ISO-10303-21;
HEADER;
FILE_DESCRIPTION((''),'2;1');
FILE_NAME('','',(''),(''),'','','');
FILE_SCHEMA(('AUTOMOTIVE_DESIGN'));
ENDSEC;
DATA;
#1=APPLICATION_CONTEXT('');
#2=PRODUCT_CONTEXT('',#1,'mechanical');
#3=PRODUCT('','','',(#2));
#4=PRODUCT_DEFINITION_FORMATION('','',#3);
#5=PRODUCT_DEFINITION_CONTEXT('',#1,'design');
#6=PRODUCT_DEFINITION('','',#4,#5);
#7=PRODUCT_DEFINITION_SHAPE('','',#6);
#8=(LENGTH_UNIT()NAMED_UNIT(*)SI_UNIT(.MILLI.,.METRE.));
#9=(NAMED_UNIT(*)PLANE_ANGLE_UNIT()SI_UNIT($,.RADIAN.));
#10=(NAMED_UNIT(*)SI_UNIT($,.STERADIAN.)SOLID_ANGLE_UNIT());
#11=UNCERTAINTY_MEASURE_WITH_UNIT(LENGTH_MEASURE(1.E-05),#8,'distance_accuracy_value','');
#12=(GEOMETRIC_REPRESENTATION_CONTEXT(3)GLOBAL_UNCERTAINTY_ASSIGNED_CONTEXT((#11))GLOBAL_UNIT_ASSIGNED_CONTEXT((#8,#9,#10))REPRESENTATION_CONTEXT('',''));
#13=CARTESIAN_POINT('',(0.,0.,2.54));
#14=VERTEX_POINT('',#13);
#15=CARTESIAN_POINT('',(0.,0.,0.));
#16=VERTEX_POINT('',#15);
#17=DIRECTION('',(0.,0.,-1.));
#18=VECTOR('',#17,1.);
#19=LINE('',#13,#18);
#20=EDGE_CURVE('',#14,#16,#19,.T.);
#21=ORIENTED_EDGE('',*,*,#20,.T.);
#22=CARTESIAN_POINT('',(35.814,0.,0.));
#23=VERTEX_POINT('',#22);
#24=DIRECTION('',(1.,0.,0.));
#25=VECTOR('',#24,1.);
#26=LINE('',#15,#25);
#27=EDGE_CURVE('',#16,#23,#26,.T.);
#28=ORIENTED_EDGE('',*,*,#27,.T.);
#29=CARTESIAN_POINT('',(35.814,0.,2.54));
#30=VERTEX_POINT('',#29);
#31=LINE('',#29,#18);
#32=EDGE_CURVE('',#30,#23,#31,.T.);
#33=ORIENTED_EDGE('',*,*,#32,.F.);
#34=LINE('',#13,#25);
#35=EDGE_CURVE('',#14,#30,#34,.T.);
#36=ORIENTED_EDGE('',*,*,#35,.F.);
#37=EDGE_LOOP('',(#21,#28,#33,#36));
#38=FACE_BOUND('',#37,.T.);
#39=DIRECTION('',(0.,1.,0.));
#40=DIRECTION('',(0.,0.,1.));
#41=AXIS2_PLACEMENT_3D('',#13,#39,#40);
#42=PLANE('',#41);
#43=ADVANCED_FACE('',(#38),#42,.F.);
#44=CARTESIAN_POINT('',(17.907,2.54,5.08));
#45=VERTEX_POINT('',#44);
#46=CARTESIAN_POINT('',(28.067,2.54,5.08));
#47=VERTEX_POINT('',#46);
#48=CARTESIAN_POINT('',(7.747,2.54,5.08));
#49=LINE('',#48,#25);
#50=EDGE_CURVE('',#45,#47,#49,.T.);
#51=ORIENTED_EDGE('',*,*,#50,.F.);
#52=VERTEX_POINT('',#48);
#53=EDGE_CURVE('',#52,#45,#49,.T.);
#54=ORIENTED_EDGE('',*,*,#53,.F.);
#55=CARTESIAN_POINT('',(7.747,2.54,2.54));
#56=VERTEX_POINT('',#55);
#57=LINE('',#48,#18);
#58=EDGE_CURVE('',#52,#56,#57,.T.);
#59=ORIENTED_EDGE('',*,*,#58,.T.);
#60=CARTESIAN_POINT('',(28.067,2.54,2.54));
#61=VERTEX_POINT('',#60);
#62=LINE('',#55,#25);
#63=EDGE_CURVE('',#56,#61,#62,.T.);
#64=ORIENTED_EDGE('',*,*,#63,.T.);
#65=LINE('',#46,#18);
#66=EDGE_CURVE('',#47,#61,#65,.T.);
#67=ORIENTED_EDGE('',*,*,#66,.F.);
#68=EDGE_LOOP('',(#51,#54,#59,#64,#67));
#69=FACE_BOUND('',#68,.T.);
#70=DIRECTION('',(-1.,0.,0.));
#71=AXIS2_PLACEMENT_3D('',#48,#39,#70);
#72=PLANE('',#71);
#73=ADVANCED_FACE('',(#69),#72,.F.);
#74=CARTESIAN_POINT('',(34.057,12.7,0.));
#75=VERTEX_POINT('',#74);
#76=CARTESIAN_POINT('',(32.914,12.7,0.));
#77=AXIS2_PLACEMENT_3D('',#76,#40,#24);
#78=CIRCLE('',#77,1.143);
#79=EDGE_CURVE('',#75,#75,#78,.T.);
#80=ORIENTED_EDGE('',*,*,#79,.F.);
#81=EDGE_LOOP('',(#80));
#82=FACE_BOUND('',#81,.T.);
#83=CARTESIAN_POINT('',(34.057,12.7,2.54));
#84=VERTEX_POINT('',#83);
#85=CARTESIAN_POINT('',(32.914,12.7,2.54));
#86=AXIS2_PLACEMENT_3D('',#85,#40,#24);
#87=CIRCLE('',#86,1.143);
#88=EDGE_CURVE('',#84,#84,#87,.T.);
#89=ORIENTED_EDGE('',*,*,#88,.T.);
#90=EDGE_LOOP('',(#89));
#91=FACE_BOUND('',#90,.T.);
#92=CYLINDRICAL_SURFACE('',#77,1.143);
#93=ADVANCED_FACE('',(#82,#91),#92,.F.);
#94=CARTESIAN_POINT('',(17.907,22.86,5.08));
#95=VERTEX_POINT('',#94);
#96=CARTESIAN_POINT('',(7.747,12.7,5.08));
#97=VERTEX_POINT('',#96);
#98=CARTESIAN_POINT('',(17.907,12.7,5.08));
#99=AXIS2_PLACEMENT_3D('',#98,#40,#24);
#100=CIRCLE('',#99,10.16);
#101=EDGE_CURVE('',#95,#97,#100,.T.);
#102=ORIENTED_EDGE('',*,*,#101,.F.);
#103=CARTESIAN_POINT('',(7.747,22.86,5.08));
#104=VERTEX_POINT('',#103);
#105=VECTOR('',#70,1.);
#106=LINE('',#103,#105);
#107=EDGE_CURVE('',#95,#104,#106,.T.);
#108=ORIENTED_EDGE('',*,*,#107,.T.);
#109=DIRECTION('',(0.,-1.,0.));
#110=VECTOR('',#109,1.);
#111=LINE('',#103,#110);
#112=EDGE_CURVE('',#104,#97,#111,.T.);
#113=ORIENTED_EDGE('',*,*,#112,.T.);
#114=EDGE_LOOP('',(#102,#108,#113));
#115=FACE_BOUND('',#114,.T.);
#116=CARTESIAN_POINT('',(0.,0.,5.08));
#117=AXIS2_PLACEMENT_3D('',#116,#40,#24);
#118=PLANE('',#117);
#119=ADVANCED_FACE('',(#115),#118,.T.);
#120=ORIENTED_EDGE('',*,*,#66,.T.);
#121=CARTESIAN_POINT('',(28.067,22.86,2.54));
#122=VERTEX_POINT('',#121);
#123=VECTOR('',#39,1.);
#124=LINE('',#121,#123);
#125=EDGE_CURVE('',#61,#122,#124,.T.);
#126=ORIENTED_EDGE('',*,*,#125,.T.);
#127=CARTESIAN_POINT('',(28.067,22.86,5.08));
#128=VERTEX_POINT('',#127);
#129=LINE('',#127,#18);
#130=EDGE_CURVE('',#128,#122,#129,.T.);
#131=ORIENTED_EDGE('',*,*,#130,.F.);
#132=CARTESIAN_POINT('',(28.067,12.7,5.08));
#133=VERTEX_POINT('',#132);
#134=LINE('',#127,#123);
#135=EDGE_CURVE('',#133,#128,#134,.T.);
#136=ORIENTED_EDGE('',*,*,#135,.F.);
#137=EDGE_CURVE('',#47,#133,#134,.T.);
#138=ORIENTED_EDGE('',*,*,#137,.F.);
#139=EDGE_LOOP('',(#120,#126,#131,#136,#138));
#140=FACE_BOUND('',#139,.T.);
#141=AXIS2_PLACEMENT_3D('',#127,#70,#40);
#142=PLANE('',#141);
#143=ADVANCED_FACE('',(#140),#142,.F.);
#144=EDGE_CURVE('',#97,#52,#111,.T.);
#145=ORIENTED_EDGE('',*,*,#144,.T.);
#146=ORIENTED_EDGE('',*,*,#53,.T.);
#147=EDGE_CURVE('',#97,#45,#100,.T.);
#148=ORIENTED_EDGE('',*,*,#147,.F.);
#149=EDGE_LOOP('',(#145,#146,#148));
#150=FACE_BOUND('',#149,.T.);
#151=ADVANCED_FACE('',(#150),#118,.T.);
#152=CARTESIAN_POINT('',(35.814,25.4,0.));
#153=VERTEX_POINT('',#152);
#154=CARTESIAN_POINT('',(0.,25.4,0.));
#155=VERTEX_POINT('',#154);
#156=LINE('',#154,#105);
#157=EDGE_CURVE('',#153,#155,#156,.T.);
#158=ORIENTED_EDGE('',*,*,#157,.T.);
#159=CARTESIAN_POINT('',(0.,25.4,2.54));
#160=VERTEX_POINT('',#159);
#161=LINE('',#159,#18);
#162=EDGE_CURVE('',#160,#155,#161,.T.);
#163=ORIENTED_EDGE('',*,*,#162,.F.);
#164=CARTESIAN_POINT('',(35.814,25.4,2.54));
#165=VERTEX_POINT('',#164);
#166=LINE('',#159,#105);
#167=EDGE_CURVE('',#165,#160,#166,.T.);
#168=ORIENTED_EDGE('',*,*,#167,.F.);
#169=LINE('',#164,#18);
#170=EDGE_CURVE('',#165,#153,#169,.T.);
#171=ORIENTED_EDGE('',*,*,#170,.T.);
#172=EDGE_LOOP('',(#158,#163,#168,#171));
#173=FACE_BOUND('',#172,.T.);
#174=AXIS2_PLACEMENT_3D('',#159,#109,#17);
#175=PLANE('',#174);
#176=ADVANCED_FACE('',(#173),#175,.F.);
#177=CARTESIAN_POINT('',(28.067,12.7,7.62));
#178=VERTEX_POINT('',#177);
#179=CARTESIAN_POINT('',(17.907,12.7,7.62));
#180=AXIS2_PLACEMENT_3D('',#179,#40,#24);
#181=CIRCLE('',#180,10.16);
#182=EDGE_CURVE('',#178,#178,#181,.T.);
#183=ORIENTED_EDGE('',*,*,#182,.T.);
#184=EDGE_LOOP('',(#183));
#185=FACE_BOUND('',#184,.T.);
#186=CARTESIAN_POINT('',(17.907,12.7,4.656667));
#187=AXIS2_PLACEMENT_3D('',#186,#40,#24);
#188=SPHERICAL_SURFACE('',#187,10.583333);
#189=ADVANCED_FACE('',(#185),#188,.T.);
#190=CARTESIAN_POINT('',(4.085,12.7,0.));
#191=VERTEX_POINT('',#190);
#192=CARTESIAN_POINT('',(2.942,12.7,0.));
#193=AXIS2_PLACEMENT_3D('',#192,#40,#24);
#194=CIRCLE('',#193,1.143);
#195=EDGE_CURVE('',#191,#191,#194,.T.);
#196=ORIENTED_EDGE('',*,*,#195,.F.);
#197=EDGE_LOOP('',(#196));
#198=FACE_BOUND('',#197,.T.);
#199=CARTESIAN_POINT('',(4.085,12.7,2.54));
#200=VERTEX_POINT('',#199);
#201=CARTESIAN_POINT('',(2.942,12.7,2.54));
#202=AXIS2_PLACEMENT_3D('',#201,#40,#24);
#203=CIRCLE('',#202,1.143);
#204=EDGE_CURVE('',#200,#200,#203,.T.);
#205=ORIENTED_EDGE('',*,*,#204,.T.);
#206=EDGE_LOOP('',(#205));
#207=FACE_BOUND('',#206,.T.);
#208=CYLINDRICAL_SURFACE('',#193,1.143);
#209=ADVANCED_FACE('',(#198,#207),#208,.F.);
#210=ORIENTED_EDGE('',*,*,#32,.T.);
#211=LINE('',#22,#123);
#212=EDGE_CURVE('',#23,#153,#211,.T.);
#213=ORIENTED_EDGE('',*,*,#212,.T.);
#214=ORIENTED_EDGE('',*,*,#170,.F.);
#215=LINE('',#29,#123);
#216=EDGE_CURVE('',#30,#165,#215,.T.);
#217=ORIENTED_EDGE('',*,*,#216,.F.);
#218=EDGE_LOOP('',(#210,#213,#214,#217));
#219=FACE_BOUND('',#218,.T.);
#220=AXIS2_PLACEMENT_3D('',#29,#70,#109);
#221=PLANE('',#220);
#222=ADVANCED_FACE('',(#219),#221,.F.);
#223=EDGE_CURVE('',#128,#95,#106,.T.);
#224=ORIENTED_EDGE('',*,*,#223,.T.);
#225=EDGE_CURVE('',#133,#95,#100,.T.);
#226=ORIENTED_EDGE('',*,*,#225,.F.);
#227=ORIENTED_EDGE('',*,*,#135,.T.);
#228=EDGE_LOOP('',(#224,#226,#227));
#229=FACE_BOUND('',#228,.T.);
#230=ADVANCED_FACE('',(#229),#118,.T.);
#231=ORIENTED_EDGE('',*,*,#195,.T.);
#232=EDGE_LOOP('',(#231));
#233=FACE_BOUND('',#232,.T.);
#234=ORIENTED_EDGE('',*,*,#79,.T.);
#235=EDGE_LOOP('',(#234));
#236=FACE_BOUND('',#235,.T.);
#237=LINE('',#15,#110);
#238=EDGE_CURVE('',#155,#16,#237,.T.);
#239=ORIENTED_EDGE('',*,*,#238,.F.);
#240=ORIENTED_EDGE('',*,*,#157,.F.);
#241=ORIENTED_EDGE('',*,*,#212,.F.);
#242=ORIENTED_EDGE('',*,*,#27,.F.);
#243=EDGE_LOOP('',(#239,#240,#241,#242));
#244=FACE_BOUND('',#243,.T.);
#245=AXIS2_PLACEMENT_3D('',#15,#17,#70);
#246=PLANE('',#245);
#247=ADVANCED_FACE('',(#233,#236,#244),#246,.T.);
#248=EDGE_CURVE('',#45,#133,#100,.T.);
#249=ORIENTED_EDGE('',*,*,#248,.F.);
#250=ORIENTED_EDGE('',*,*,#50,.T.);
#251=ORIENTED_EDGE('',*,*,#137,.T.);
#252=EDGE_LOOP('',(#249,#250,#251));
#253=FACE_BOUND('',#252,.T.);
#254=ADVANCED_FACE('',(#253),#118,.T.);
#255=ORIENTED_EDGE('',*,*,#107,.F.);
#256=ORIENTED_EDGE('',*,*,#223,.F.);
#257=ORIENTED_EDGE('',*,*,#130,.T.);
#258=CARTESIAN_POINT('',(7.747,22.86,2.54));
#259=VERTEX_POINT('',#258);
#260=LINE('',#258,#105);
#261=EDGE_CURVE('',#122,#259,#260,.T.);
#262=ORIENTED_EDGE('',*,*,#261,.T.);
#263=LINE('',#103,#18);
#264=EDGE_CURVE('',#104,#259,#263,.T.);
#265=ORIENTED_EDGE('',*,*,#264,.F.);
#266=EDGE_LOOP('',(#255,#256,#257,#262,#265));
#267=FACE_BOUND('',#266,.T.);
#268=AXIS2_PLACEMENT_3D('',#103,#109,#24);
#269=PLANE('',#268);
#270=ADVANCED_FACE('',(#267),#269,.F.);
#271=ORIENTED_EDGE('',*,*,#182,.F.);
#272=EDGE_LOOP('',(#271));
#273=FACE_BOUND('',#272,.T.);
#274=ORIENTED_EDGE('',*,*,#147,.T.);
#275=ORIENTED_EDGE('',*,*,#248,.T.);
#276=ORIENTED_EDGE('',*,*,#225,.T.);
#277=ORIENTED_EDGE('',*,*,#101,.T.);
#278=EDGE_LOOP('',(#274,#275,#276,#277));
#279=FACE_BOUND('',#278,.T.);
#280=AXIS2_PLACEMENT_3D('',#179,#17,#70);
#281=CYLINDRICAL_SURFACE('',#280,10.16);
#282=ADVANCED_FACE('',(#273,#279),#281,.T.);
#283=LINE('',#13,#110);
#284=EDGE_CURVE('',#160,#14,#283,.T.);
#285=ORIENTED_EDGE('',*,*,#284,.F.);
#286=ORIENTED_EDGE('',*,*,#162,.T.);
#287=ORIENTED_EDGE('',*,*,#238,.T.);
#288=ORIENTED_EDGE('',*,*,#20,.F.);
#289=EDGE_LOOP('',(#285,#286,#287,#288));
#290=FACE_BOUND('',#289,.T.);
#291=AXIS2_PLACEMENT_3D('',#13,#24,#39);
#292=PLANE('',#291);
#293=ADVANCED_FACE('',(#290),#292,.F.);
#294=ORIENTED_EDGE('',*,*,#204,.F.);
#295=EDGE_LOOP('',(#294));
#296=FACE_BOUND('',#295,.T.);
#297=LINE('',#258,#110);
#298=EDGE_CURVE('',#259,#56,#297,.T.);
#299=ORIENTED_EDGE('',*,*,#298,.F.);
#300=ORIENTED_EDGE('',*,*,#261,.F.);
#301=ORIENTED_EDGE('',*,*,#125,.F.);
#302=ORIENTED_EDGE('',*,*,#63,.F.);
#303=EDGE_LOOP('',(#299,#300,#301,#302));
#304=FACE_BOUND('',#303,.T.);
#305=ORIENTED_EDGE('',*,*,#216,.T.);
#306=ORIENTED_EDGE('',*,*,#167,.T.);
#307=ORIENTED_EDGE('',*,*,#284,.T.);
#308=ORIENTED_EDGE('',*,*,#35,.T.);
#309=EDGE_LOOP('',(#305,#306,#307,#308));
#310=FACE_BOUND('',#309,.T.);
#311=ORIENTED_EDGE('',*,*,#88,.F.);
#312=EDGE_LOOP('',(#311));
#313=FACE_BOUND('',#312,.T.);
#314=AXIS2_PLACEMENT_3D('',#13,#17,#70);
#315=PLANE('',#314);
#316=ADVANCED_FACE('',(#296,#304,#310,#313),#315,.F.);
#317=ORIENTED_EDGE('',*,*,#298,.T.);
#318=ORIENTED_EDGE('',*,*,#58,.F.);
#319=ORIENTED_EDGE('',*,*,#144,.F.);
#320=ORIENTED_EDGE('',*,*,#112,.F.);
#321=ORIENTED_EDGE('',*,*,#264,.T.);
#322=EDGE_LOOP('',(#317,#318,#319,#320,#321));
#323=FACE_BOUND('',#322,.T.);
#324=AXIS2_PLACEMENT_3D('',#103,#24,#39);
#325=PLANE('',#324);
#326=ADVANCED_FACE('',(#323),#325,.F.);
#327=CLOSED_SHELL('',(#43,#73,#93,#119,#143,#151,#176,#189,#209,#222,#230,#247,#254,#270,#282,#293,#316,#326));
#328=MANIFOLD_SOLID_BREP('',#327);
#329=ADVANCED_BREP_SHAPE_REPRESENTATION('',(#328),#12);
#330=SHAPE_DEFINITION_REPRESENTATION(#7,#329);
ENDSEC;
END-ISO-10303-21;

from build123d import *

# Parameters (mm, degrees)
SKETCH1_W           = 35.814
SKETCH1_H           = 25.4
BOSS_EXTRUDE1_DEPTH = 2.54
SKETCH2_R           = 1.143
CUT_EXTRUDE1_DEPTH  = 2.54
SKETCH3_W           = 20.32
SKETCH3_H           = 20.32
BOSS_EXTRUDE3_DEPTH = 2.54
SKETCH4_R           = 10.16
BOSS_EXTRUDE4_DEPTH = 2.54
DOME3_FACE_RADIUS   = 10.16
DOME3_HEIGHT        = 7.62


with BuildPart() as part:
    # Sketch1 → Boss-Extrude1 (new body)
    with BuildSketch(Plane.XY):
        with Locations((17.907, 12.7)):
            Rectangle(SKETCH1_W, SKETCH1_H)
    extrude(amount=BOSS_EXTRUDE1_DEPTH)

    # Sketch2 → Cut-Extrude1 (cut)
    with BuildSketch(Plane.XY.offset(2.54)):
        with Locations((2.942, 12.7)):
            Circle(SKETCH2_R)
        with Locations((32.914, 12.7)):
            Circle(SKETCH2_R)
    extrude(amount=-CUT_EXTRUDE1_DEPTH, mode=Mode.SUBTRACT)

    # Sketch3 → Boss-Extrude3 (add)
    with BuildSketch(Plane.XY.offset(2.54)):
        with Locations((17.907, 12.7)):
            Rectangle(SKETCH3_W, SKETCH3_H)
    extrude(amount=BOSS_EXTRUDE3_DEPTH)

    # Sketch4 → Boss-Extrude4 (add)
    with BuildSketch(Plane.XY.offset(5.08)):
        with Locations((17.907, 12.7)):
            Circle(SKETCH4_R)
    extrude(amount=BOSS_EXTRUDE4_DEPTH)

    # Dome3: a dome of height H over a round flat face of radius A is a cap of a sphere of radius (A * A + H * H) / (2 * H)
    dome3_r = (DOME3_FACE_RADIUS * DOME3_FACE_RADIUS + DOME3_HEIGHT * DOME3_HEIGHT) / (2 * DOME3_HEIGHT)
    dome3_base = Plane((17.907, 12.7, 7.62), z_dir=(0, 0, 1))
    with Locations(dome3_base.offset(DOME3_HEIGHT - dome3_r)):
        dome3_ball = Sphere(dome3_r, mode=Mode.PRIVATE)
    add(split(dome3_ball, bisect_by=dome3_base, keep=Keep.TOP, mode=Mode.PRIVATE))


solid = part.part
